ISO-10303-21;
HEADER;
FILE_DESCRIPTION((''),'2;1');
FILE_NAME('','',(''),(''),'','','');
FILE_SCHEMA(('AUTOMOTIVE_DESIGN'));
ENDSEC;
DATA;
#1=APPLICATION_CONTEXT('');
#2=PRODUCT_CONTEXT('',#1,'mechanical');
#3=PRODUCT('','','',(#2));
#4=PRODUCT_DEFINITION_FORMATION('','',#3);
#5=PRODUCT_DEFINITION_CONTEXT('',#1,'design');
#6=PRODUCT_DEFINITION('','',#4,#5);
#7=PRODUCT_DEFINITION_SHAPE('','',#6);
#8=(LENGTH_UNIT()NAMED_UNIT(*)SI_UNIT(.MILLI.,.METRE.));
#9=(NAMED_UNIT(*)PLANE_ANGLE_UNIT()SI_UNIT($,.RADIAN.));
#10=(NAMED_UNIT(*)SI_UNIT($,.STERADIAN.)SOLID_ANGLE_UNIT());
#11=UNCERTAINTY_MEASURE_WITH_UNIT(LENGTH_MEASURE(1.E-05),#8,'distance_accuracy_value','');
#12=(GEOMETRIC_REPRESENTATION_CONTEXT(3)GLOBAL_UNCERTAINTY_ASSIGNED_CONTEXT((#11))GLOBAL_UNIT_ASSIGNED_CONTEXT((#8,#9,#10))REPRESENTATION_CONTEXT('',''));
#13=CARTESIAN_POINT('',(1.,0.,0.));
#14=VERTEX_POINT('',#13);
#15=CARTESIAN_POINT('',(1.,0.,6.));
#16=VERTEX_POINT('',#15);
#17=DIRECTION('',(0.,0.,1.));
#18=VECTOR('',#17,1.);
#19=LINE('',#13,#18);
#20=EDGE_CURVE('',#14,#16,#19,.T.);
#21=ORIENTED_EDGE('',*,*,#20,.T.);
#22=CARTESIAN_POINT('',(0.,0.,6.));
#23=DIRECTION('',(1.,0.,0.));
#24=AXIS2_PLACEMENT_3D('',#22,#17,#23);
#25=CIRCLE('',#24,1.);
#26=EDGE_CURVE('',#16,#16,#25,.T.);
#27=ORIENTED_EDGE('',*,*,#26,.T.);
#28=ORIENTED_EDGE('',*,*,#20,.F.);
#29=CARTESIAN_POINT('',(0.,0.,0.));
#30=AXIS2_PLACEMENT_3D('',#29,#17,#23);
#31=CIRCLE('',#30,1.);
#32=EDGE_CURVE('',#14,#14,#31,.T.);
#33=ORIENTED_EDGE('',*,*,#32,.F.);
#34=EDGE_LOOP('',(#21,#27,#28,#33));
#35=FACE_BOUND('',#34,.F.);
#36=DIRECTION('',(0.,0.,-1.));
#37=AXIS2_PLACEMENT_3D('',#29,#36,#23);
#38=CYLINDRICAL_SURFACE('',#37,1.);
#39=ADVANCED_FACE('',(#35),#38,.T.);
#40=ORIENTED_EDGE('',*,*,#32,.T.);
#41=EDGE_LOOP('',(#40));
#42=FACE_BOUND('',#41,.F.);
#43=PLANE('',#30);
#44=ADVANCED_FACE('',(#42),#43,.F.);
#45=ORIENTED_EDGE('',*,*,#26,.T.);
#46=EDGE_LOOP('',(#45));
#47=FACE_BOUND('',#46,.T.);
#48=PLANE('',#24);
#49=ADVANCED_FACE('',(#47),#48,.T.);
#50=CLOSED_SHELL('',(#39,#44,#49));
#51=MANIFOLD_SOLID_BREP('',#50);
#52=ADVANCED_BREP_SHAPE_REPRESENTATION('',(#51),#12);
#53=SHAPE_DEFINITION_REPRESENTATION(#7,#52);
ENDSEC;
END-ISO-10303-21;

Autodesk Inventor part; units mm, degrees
ref_plane "YZ Plane" through (0, 0, 0) normal (1, 0, 0) x (0, 1, 0)
ref_plane "XZ Plane" through (0, 0, 0) normal (0, 1, 0) x (-1, 0, 0)
ref_plane "XY Plane" through (0, 0, 0) normal (0, 0, 1) x (1, 0, 0)
sketch "Sketch1" plane through (0, 0, 0) normal (0, 0, 1) x (1, 0, 0)
  circle A0 centre (0, 0) radius 1
  dimension "d0" = 2
extrude "Extrusion1" add sketch "Sketch1" along normal blind 6
properties part number "YokeDowelPins" material "Stainless Steel"
